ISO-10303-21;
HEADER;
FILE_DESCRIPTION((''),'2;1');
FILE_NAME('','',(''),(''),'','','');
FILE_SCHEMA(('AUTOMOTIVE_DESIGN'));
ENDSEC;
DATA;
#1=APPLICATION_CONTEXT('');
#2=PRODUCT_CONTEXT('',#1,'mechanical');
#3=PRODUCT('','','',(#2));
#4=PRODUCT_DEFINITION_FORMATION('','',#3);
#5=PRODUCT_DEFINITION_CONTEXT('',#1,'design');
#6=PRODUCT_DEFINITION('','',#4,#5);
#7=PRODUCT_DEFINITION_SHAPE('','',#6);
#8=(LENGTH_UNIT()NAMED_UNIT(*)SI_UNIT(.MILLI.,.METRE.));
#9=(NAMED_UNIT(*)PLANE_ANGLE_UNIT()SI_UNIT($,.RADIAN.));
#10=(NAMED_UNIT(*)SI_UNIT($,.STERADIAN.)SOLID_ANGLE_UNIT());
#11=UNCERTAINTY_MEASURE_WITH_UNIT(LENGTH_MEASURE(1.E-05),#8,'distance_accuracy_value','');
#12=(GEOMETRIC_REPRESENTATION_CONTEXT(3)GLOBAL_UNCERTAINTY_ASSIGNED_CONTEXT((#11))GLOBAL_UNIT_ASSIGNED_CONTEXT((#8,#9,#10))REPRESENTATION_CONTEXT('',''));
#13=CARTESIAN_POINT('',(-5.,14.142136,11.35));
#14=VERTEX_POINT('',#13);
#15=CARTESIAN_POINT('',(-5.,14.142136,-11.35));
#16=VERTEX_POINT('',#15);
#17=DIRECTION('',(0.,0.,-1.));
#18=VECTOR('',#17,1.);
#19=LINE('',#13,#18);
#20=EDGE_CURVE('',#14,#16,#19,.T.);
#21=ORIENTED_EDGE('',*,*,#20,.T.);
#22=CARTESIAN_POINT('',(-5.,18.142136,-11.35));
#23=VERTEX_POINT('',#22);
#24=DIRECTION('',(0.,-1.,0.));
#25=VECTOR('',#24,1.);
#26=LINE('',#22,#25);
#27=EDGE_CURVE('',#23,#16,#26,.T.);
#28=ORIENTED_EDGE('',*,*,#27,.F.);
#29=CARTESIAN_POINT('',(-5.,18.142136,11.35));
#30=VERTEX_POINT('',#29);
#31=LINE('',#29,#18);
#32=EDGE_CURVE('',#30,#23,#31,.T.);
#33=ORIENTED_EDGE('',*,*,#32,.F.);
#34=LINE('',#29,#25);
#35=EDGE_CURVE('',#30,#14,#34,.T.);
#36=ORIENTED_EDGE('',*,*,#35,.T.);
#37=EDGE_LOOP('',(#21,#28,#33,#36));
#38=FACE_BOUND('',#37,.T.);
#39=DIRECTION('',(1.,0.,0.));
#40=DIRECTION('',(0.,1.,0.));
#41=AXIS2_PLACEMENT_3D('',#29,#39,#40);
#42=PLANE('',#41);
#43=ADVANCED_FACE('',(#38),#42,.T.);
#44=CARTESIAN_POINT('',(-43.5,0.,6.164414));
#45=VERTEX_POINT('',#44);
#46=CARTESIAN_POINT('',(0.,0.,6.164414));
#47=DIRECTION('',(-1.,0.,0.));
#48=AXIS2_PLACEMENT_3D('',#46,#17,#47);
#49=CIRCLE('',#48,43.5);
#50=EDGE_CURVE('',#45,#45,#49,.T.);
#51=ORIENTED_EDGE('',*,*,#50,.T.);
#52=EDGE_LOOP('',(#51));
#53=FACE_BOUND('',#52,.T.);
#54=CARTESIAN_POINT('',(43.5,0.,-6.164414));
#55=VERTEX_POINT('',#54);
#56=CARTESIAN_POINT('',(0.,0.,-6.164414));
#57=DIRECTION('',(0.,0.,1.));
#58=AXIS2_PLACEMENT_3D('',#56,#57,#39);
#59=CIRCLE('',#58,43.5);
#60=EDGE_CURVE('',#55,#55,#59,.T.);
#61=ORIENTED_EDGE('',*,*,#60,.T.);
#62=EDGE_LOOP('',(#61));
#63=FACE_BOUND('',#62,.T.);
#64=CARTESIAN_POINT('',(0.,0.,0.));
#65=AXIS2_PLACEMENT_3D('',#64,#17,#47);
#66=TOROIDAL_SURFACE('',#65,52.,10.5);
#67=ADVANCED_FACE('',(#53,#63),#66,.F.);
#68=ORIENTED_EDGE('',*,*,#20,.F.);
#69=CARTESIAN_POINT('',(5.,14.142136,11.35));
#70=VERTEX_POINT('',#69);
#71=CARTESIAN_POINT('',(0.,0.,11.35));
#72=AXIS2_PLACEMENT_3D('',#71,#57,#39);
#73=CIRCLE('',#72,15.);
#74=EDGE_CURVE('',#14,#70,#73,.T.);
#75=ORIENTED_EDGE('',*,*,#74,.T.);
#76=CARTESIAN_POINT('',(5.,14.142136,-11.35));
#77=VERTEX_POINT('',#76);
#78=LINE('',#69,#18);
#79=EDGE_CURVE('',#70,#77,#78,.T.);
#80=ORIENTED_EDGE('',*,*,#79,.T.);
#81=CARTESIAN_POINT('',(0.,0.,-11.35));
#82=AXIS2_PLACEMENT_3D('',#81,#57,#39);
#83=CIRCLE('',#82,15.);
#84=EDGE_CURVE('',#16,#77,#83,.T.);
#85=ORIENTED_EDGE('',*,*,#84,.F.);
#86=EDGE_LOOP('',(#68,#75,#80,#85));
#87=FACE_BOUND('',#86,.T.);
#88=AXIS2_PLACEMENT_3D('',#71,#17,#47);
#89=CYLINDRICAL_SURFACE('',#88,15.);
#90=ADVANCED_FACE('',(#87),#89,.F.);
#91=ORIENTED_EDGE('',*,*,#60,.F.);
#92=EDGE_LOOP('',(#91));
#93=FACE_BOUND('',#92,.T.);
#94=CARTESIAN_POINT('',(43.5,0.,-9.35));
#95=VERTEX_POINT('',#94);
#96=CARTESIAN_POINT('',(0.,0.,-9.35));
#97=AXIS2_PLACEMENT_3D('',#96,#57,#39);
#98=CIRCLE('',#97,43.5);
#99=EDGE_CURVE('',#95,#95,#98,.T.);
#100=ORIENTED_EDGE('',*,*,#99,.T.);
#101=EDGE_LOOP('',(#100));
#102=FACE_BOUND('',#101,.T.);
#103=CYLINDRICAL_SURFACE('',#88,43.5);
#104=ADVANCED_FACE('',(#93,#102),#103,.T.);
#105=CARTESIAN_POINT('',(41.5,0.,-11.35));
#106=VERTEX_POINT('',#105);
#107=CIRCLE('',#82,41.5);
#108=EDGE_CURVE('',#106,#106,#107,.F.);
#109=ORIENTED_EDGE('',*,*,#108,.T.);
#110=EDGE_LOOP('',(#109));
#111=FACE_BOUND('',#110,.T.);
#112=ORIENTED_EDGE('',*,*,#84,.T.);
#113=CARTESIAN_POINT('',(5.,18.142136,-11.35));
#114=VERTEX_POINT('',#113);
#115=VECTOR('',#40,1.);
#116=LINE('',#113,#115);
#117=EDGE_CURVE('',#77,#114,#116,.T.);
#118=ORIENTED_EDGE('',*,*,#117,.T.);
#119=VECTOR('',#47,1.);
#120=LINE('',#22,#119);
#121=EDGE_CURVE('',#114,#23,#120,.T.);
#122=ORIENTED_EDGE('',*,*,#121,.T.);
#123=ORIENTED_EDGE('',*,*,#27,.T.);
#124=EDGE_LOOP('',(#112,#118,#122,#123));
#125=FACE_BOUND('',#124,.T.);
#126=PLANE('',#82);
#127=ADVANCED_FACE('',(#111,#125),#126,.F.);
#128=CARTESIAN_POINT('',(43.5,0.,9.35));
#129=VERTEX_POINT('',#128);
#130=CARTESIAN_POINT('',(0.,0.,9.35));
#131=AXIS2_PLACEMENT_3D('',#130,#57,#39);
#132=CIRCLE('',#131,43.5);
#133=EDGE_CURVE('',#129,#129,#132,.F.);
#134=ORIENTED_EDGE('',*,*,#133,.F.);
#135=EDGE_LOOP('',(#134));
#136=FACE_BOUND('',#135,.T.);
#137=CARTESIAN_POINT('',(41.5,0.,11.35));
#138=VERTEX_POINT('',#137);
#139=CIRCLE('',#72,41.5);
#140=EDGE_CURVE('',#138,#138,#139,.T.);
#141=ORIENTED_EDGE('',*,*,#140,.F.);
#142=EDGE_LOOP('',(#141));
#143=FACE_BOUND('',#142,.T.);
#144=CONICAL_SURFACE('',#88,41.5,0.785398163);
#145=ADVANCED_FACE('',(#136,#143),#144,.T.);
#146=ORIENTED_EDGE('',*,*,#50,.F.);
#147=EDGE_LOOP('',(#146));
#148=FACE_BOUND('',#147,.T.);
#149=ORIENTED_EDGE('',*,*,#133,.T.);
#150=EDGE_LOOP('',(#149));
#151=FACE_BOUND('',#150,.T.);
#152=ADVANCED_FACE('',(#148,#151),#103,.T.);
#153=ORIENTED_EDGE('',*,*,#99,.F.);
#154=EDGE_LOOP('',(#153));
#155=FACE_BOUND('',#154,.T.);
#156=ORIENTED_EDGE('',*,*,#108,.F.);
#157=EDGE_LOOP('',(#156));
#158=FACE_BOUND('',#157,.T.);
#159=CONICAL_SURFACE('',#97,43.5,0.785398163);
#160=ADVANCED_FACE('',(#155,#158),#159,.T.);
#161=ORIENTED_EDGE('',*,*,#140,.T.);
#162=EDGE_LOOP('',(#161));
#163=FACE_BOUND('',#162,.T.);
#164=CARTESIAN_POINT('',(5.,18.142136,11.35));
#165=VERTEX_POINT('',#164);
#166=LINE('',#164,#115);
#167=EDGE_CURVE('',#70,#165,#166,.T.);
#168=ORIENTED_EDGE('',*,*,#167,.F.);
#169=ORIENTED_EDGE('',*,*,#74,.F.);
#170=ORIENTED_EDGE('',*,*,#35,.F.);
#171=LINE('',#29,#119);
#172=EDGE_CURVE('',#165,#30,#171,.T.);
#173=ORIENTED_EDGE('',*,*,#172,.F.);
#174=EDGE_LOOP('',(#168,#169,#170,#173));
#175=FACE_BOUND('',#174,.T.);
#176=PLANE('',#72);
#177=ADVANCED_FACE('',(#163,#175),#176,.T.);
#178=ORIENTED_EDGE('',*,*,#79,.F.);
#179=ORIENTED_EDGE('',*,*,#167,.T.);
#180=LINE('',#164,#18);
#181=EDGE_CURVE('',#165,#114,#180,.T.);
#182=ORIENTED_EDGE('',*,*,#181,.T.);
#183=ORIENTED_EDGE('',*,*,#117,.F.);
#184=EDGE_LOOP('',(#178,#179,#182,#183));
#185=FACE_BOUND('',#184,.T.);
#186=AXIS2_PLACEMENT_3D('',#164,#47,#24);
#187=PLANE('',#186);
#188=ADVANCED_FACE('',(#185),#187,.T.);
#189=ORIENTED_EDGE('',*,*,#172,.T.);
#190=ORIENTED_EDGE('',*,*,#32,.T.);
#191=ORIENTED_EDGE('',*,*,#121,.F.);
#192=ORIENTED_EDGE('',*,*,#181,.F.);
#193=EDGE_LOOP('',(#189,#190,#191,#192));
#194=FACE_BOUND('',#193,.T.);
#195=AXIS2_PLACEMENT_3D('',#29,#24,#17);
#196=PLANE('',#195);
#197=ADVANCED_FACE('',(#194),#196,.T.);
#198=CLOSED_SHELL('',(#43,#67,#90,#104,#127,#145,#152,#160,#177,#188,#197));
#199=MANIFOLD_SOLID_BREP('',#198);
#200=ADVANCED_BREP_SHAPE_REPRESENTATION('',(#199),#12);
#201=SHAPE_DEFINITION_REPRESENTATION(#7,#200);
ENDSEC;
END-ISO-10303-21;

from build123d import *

# Parameters (mm, degrees)
SKETCH1_R           = 43.5
BOSS_EXTRUDE1_DEPTH = 11.35
CHAMFER1_SIZE       = 2
SKETCH2_R           = 10.5


with BuildPart() as part:
    # Sketch1 → Boss-Extrude1 (new, symmetric)
    with BuildSketch(Plane.XY):
        Circle(SKETCH1_R)
        with BuildLine():
            Line((-5, 18.142135624), (5, 18.142135624))
            Line((5, 18.142135624), (5, 14.142135624))
            ThreePointArc((5, 14.142135624), (0, -15), (-5, 14.142135624))
            Line((-5, 14.142135624), (-5, 18.142135624))
        make_face(mode=Mode.SUBTRACT)
    extrude(amount=BOSS_EXTRUDE1_DEPTH, both=True)

    # Chamfer1
    chamfer1_edges = [part.edges().sort_by_distance(p)[0] for p in [
        (-43.5, 0, -11.35),
        (-43.5, 0, 11.35),
    ]]
    chamfer(chamfer1_edges, length=CHAMFER1_SIZE)

    # Sketch2 → Cut-Revolve1 (revolve, cut)
    with BuildSketch(Plane(origin=(0, 0, 0), x_dir=(0, 0, -1), z_dir=(1, 0, 0)), mode=Mode.PRIVATE) as cut_revolve1_sk:
        with Locations((0, -52)):
            Circle(SKETCH2_R)
    revolve(cut_revolve1_sk.sketch.rotate(Axis((0, 0, -83.533331893), (0, 0, 1)), 270), axis=Axis((0, 0, -83.533331893), (0, 0, 1)), mode=Mode.SUBTRACT)


solid = part.part
